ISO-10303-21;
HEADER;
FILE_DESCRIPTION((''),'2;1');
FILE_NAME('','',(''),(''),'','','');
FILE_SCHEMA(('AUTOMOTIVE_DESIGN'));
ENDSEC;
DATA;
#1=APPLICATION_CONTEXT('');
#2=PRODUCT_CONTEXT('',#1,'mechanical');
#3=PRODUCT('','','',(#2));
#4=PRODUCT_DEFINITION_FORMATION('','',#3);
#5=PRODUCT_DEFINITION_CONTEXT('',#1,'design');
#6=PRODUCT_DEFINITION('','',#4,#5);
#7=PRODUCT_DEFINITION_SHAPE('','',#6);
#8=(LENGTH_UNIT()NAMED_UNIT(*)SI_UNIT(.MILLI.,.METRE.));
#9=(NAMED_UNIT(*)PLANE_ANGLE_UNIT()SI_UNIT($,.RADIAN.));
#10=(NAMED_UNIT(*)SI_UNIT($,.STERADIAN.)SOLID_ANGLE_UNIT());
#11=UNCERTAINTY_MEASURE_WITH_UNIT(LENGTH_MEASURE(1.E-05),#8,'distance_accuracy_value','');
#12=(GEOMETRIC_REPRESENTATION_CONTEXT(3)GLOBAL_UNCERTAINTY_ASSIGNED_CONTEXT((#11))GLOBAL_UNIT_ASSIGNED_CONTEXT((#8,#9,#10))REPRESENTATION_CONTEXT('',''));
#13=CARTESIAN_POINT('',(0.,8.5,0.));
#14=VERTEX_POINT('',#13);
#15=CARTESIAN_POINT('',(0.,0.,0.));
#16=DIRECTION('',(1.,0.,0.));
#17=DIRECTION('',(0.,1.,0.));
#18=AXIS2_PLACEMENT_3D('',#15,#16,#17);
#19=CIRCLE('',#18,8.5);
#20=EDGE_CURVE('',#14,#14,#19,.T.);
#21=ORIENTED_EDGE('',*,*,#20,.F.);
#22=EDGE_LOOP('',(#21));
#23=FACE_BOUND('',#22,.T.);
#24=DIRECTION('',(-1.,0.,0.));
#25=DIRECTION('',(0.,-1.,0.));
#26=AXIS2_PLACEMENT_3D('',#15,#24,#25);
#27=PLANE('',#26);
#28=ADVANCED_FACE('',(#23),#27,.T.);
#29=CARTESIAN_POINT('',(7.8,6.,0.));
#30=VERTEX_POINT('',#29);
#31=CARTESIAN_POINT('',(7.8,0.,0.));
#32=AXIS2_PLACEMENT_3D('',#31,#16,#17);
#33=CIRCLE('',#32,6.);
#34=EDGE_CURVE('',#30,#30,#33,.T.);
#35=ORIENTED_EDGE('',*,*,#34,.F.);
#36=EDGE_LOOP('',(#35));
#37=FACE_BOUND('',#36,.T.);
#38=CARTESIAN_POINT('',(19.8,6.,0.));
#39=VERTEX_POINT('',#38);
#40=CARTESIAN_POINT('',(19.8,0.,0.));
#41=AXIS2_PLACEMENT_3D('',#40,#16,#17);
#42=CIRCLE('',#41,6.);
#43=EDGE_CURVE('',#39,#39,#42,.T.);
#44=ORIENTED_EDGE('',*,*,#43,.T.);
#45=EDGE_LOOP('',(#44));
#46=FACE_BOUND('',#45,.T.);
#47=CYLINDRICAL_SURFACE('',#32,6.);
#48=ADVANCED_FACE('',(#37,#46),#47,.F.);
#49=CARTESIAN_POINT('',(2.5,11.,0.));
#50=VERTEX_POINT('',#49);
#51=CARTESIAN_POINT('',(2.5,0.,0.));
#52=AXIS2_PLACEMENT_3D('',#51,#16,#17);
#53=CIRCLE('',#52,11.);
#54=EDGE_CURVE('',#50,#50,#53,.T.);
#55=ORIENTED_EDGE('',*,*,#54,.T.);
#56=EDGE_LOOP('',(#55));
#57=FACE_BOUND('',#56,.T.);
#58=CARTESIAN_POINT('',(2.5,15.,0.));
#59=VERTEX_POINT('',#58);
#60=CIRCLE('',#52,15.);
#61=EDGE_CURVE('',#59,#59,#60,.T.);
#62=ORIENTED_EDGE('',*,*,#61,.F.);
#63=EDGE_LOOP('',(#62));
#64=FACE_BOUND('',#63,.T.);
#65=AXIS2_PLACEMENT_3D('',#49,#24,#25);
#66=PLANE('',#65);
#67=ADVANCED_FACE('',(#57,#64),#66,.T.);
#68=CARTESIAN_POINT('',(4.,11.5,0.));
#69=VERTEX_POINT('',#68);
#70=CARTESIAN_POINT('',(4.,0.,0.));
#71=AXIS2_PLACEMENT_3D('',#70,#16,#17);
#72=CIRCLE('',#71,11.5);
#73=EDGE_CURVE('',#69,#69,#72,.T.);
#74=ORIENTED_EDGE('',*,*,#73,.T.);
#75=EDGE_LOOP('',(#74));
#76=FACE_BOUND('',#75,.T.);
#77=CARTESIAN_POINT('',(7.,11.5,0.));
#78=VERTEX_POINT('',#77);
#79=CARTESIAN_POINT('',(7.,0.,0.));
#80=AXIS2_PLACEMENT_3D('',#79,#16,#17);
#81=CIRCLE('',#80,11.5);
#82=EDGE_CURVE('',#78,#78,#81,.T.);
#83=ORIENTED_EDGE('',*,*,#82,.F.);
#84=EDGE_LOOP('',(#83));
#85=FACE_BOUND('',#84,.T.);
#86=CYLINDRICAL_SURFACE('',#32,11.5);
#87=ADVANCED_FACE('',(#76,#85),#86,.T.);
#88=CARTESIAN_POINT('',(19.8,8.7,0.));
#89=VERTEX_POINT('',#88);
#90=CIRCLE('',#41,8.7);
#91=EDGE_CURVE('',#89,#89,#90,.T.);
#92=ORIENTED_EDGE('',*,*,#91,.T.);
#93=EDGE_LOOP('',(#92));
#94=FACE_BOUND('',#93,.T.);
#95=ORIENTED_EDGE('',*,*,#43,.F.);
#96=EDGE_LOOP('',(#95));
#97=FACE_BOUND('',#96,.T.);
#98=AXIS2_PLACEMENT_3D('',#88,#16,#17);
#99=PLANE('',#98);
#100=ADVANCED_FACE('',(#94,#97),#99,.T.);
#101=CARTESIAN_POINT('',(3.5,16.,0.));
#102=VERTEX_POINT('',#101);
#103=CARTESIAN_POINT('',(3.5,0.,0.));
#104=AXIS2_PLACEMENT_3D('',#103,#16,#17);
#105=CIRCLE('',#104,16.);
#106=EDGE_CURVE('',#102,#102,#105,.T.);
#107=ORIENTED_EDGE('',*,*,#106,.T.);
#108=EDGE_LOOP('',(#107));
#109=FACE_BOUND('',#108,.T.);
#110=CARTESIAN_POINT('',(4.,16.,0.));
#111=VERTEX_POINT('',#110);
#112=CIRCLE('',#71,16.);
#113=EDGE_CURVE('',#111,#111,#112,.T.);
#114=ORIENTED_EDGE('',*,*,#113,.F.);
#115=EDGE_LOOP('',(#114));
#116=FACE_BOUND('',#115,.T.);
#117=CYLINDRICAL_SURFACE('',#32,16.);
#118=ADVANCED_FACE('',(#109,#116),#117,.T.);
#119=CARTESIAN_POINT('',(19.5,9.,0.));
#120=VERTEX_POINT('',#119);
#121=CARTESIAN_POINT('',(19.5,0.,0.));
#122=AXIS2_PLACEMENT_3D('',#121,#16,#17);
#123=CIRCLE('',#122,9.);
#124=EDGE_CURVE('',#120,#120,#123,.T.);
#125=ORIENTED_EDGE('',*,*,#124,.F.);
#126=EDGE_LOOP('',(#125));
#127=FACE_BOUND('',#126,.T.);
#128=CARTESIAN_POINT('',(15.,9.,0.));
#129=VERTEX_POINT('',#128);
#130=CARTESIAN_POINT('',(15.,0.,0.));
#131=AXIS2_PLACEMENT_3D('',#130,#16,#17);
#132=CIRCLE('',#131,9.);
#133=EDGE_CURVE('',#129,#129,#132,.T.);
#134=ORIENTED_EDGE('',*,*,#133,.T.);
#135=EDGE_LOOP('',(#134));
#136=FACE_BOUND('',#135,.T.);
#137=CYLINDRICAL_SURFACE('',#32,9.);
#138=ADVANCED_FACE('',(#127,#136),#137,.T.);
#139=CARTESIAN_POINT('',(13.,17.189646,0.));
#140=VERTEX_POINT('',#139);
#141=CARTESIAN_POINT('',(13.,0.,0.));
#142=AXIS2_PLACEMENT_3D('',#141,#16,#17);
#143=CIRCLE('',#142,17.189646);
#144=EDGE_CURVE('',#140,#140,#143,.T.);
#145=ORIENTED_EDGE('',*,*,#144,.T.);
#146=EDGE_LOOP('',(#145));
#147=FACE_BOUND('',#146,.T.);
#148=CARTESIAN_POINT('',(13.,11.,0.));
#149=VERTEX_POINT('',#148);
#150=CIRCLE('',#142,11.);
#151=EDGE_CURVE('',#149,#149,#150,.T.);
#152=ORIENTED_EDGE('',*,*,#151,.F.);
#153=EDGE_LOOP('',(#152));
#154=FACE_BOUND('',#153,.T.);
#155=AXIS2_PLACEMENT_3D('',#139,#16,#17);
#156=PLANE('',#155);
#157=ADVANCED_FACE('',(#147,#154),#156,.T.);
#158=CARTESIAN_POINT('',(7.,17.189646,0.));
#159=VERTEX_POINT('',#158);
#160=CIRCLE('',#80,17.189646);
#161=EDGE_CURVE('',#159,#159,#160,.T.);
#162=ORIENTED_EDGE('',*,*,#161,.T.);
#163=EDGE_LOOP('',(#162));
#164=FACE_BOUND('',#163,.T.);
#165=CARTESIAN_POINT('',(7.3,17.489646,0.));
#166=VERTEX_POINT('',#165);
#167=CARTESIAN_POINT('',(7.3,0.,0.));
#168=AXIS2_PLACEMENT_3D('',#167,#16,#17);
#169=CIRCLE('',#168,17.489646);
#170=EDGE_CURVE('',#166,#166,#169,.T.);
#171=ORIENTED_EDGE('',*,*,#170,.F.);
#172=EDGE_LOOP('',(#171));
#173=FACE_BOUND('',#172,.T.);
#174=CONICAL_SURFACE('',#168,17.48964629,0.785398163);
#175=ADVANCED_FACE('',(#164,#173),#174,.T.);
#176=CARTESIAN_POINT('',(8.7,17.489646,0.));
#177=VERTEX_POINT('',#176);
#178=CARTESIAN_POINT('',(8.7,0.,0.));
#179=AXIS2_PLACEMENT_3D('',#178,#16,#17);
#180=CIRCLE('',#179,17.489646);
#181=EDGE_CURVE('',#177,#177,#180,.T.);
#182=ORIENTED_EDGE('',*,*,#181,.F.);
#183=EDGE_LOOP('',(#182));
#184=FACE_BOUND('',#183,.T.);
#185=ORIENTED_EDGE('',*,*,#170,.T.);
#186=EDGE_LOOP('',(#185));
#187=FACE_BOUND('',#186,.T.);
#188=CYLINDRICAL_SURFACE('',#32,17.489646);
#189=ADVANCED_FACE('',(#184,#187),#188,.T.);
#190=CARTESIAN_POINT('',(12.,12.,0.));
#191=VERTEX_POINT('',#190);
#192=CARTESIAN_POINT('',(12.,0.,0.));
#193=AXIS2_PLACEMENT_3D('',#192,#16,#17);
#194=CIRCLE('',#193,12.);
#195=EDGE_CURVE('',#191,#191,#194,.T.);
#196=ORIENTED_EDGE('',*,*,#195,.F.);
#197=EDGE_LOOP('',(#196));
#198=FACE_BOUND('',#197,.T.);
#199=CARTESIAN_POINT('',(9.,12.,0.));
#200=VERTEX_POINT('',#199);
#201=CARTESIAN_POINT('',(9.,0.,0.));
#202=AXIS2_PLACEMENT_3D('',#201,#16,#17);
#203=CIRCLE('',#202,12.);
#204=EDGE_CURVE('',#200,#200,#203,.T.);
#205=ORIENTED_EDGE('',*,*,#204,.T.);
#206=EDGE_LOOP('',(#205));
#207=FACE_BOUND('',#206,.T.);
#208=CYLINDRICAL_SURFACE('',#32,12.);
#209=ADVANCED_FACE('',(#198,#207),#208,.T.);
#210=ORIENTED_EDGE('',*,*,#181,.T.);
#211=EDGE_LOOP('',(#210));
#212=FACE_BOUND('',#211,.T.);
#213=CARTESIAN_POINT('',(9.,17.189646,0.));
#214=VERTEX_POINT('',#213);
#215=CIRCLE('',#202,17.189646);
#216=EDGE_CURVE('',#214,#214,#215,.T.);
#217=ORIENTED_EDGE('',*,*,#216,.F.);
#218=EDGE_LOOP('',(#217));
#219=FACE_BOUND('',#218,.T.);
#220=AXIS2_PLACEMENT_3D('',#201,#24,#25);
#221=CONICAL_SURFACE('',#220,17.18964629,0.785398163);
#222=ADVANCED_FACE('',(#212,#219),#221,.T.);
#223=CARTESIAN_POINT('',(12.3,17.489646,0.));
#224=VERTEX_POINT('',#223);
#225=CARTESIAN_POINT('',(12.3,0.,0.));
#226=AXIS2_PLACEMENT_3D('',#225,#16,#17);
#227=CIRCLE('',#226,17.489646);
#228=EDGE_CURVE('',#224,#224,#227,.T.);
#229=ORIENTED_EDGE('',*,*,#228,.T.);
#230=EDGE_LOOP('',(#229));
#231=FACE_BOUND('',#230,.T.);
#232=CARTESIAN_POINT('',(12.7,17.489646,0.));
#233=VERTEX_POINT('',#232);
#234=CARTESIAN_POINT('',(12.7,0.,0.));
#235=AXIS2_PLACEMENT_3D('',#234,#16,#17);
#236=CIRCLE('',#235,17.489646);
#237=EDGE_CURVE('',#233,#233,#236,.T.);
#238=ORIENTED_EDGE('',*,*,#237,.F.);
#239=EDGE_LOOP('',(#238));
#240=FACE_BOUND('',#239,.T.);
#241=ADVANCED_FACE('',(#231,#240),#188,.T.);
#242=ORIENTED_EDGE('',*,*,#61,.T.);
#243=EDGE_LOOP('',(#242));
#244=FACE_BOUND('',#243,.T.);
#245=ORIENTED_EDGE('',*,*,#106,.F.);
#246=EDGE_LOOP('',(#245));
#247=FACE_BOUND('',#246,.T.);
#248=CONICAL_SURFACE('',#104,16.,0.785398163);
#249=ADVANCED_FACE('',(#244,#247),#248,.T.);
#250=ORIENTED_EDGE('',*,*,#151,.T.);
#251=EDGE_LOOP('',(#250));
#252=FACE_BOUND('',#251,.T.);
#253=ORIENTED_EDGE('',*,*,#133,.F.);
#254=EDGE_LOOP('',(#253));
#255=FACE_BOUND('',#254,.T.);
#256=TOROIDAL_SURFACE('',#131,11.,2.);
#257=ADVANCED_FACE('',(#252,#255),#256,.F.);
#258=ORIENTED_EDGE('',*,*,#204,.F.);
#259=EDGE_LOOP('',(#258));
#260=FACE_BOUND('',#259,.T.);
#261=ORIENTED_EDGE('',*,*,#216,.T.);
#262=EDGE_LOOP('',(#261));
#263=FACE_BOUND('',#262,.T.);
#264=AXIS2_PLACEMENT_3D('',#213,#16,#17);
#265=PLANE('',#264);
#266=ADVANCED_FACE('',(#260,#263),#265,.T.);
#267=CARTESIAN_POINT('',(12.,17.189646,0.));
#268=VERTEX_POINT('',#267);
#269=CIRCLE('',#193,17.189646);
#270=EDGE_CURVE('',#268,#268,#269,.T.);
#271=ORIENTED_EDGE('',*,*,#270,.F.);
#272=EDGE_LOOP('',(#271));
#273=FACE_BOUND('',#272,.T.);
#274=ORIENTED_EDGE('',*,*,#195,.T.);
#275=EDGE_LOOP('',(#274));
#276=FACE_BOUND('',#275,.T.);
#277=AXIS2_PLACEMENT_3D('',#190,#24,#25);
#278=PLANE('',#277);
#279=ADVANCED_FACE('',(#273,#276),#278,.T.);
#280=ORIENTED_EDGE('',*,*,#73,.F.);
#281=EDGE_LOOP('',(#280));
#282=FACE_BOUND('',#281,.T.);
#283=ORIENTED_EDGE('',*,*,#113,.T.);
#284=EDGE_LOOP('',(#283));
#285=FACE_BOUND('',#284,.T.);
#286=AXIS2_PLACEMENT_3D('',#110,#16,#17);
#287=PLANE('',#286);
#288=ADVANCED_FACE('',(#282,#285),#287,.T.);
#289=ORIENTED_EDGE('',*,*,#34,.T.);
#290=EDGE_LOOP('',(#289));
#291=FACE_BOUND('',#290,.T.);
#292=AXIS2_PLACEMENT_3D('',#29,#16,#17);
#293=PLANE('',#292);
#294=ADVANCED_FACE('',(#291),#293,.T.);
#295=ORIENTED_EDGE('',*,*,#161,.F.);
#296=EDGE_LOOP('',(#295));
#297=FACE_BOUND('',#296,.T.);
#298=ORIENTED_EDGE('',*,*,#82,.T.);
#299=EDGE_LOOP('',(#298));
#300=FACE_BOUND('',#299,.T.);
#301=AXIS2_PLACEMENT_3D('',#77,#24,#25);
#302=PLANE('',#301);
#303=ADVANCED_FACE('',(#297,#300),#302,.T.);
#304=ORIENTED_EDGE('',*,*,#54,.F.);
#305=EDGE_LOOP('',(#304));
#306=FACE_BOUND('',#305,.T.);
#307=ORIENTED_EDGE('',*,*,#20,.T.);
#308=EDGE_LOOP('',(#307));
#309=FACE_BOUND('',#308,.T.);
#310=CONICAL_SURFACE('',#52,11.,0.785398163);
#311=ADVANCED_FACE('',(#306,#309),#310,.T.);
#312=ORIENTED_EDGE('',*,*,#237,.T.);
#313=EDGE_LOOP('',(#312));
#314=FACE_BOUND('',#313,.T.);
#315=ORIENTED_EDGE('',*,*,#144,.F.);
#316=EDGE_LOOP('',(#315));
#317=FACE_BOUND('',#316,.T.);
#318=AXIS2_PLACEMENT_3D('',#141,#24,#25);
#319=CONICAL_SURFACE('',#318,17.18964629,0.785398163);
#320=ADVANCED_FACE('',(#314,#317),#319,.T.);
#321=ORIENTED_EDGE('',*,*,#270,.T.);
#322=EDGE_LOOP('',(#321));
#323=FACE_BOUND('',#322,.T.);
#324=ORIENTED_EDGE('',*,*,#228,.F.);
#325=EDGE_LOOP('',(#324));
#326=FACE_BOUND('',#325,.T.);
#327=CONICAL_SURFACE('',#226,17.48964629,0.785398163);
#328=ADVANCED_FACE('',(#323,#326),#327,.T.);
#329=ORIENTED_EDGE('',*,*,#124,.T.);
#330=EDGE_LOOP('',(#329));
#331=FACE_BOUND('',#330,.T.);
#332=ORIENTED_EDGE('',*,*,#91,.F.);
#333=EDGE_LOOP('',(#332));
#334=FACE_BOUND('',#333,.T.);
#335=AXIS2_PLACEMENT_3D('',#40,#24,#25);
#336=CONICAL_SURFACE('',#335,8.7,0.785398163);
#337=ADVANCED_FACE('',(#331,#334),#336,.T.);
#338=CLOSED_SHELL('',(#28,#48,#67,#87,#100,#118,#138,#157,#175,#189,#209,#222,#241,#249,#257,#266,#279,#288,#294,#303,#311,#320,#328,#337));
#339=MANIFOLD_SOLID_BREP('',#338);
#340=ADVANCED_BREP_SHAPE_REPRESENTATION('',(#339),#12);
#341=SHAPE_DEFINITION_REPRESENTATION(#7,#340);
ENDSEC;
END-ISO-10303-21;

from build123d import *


with BuildPart() as part:
    # Esquisse1 → Révolution1 (revolve)
    with BuildSketch(Plane.XY):
        with BuildLine():
            Line((0, 0), (0, 8.5))
            Line((0, 8.5), (2.5, 11))
            Line((2.5, 11), (2.5, 15))
            Line((2.5, 15), (3.5, 16))
            Line((3.5, 16), (4, 16))
            Line((4, 16), (4, 12.826466888))
            Line((4, 12.826466888), (4, 11.5))
            Line((4, 11.5), (7, 11.5))
            Line((7, 11.5), (7, 17.18964629))
            Line((7, 17.18964629), (7.3, 17.48964629))
            Line((7.3, 17.48964629), (8.7, 17.48964629))
            Line((8.7, 17.48964629), (9, 17.18964629))
            Line((9, 17.18964629), (9, 12))
            Line((9, 12), (12, 12))
            Line((12, 12), (12, 17.18964629))
            Line((12, 17.18964629), (12.3, 17.48964629))
            Line((12.3, 17.48964629), (12.7, 17.48964629))
            Line((12.7, 17.48964629), (13, 17.18964629))
            Line((13, 17.18964629), (13, 11))
            ThreePointArc((13, 11), (13.585786438, 9.585786438), (15, 9))
            Line((15, 9), (19.5, 9))
            Line((19.5, 9), (19.8, 8.7))
            Line((19.8, 8.7), (19.8, 6))
            Line((19.8, 6), (7.8, 6))
            Line((7.8, 6), (7.8, 0))
            Line((7.8, 0), (0, 0))
        make_face()
    revolve(axis=Axis((7.8, 0, 0), (-1, 0, 0)))


solid = part.part
